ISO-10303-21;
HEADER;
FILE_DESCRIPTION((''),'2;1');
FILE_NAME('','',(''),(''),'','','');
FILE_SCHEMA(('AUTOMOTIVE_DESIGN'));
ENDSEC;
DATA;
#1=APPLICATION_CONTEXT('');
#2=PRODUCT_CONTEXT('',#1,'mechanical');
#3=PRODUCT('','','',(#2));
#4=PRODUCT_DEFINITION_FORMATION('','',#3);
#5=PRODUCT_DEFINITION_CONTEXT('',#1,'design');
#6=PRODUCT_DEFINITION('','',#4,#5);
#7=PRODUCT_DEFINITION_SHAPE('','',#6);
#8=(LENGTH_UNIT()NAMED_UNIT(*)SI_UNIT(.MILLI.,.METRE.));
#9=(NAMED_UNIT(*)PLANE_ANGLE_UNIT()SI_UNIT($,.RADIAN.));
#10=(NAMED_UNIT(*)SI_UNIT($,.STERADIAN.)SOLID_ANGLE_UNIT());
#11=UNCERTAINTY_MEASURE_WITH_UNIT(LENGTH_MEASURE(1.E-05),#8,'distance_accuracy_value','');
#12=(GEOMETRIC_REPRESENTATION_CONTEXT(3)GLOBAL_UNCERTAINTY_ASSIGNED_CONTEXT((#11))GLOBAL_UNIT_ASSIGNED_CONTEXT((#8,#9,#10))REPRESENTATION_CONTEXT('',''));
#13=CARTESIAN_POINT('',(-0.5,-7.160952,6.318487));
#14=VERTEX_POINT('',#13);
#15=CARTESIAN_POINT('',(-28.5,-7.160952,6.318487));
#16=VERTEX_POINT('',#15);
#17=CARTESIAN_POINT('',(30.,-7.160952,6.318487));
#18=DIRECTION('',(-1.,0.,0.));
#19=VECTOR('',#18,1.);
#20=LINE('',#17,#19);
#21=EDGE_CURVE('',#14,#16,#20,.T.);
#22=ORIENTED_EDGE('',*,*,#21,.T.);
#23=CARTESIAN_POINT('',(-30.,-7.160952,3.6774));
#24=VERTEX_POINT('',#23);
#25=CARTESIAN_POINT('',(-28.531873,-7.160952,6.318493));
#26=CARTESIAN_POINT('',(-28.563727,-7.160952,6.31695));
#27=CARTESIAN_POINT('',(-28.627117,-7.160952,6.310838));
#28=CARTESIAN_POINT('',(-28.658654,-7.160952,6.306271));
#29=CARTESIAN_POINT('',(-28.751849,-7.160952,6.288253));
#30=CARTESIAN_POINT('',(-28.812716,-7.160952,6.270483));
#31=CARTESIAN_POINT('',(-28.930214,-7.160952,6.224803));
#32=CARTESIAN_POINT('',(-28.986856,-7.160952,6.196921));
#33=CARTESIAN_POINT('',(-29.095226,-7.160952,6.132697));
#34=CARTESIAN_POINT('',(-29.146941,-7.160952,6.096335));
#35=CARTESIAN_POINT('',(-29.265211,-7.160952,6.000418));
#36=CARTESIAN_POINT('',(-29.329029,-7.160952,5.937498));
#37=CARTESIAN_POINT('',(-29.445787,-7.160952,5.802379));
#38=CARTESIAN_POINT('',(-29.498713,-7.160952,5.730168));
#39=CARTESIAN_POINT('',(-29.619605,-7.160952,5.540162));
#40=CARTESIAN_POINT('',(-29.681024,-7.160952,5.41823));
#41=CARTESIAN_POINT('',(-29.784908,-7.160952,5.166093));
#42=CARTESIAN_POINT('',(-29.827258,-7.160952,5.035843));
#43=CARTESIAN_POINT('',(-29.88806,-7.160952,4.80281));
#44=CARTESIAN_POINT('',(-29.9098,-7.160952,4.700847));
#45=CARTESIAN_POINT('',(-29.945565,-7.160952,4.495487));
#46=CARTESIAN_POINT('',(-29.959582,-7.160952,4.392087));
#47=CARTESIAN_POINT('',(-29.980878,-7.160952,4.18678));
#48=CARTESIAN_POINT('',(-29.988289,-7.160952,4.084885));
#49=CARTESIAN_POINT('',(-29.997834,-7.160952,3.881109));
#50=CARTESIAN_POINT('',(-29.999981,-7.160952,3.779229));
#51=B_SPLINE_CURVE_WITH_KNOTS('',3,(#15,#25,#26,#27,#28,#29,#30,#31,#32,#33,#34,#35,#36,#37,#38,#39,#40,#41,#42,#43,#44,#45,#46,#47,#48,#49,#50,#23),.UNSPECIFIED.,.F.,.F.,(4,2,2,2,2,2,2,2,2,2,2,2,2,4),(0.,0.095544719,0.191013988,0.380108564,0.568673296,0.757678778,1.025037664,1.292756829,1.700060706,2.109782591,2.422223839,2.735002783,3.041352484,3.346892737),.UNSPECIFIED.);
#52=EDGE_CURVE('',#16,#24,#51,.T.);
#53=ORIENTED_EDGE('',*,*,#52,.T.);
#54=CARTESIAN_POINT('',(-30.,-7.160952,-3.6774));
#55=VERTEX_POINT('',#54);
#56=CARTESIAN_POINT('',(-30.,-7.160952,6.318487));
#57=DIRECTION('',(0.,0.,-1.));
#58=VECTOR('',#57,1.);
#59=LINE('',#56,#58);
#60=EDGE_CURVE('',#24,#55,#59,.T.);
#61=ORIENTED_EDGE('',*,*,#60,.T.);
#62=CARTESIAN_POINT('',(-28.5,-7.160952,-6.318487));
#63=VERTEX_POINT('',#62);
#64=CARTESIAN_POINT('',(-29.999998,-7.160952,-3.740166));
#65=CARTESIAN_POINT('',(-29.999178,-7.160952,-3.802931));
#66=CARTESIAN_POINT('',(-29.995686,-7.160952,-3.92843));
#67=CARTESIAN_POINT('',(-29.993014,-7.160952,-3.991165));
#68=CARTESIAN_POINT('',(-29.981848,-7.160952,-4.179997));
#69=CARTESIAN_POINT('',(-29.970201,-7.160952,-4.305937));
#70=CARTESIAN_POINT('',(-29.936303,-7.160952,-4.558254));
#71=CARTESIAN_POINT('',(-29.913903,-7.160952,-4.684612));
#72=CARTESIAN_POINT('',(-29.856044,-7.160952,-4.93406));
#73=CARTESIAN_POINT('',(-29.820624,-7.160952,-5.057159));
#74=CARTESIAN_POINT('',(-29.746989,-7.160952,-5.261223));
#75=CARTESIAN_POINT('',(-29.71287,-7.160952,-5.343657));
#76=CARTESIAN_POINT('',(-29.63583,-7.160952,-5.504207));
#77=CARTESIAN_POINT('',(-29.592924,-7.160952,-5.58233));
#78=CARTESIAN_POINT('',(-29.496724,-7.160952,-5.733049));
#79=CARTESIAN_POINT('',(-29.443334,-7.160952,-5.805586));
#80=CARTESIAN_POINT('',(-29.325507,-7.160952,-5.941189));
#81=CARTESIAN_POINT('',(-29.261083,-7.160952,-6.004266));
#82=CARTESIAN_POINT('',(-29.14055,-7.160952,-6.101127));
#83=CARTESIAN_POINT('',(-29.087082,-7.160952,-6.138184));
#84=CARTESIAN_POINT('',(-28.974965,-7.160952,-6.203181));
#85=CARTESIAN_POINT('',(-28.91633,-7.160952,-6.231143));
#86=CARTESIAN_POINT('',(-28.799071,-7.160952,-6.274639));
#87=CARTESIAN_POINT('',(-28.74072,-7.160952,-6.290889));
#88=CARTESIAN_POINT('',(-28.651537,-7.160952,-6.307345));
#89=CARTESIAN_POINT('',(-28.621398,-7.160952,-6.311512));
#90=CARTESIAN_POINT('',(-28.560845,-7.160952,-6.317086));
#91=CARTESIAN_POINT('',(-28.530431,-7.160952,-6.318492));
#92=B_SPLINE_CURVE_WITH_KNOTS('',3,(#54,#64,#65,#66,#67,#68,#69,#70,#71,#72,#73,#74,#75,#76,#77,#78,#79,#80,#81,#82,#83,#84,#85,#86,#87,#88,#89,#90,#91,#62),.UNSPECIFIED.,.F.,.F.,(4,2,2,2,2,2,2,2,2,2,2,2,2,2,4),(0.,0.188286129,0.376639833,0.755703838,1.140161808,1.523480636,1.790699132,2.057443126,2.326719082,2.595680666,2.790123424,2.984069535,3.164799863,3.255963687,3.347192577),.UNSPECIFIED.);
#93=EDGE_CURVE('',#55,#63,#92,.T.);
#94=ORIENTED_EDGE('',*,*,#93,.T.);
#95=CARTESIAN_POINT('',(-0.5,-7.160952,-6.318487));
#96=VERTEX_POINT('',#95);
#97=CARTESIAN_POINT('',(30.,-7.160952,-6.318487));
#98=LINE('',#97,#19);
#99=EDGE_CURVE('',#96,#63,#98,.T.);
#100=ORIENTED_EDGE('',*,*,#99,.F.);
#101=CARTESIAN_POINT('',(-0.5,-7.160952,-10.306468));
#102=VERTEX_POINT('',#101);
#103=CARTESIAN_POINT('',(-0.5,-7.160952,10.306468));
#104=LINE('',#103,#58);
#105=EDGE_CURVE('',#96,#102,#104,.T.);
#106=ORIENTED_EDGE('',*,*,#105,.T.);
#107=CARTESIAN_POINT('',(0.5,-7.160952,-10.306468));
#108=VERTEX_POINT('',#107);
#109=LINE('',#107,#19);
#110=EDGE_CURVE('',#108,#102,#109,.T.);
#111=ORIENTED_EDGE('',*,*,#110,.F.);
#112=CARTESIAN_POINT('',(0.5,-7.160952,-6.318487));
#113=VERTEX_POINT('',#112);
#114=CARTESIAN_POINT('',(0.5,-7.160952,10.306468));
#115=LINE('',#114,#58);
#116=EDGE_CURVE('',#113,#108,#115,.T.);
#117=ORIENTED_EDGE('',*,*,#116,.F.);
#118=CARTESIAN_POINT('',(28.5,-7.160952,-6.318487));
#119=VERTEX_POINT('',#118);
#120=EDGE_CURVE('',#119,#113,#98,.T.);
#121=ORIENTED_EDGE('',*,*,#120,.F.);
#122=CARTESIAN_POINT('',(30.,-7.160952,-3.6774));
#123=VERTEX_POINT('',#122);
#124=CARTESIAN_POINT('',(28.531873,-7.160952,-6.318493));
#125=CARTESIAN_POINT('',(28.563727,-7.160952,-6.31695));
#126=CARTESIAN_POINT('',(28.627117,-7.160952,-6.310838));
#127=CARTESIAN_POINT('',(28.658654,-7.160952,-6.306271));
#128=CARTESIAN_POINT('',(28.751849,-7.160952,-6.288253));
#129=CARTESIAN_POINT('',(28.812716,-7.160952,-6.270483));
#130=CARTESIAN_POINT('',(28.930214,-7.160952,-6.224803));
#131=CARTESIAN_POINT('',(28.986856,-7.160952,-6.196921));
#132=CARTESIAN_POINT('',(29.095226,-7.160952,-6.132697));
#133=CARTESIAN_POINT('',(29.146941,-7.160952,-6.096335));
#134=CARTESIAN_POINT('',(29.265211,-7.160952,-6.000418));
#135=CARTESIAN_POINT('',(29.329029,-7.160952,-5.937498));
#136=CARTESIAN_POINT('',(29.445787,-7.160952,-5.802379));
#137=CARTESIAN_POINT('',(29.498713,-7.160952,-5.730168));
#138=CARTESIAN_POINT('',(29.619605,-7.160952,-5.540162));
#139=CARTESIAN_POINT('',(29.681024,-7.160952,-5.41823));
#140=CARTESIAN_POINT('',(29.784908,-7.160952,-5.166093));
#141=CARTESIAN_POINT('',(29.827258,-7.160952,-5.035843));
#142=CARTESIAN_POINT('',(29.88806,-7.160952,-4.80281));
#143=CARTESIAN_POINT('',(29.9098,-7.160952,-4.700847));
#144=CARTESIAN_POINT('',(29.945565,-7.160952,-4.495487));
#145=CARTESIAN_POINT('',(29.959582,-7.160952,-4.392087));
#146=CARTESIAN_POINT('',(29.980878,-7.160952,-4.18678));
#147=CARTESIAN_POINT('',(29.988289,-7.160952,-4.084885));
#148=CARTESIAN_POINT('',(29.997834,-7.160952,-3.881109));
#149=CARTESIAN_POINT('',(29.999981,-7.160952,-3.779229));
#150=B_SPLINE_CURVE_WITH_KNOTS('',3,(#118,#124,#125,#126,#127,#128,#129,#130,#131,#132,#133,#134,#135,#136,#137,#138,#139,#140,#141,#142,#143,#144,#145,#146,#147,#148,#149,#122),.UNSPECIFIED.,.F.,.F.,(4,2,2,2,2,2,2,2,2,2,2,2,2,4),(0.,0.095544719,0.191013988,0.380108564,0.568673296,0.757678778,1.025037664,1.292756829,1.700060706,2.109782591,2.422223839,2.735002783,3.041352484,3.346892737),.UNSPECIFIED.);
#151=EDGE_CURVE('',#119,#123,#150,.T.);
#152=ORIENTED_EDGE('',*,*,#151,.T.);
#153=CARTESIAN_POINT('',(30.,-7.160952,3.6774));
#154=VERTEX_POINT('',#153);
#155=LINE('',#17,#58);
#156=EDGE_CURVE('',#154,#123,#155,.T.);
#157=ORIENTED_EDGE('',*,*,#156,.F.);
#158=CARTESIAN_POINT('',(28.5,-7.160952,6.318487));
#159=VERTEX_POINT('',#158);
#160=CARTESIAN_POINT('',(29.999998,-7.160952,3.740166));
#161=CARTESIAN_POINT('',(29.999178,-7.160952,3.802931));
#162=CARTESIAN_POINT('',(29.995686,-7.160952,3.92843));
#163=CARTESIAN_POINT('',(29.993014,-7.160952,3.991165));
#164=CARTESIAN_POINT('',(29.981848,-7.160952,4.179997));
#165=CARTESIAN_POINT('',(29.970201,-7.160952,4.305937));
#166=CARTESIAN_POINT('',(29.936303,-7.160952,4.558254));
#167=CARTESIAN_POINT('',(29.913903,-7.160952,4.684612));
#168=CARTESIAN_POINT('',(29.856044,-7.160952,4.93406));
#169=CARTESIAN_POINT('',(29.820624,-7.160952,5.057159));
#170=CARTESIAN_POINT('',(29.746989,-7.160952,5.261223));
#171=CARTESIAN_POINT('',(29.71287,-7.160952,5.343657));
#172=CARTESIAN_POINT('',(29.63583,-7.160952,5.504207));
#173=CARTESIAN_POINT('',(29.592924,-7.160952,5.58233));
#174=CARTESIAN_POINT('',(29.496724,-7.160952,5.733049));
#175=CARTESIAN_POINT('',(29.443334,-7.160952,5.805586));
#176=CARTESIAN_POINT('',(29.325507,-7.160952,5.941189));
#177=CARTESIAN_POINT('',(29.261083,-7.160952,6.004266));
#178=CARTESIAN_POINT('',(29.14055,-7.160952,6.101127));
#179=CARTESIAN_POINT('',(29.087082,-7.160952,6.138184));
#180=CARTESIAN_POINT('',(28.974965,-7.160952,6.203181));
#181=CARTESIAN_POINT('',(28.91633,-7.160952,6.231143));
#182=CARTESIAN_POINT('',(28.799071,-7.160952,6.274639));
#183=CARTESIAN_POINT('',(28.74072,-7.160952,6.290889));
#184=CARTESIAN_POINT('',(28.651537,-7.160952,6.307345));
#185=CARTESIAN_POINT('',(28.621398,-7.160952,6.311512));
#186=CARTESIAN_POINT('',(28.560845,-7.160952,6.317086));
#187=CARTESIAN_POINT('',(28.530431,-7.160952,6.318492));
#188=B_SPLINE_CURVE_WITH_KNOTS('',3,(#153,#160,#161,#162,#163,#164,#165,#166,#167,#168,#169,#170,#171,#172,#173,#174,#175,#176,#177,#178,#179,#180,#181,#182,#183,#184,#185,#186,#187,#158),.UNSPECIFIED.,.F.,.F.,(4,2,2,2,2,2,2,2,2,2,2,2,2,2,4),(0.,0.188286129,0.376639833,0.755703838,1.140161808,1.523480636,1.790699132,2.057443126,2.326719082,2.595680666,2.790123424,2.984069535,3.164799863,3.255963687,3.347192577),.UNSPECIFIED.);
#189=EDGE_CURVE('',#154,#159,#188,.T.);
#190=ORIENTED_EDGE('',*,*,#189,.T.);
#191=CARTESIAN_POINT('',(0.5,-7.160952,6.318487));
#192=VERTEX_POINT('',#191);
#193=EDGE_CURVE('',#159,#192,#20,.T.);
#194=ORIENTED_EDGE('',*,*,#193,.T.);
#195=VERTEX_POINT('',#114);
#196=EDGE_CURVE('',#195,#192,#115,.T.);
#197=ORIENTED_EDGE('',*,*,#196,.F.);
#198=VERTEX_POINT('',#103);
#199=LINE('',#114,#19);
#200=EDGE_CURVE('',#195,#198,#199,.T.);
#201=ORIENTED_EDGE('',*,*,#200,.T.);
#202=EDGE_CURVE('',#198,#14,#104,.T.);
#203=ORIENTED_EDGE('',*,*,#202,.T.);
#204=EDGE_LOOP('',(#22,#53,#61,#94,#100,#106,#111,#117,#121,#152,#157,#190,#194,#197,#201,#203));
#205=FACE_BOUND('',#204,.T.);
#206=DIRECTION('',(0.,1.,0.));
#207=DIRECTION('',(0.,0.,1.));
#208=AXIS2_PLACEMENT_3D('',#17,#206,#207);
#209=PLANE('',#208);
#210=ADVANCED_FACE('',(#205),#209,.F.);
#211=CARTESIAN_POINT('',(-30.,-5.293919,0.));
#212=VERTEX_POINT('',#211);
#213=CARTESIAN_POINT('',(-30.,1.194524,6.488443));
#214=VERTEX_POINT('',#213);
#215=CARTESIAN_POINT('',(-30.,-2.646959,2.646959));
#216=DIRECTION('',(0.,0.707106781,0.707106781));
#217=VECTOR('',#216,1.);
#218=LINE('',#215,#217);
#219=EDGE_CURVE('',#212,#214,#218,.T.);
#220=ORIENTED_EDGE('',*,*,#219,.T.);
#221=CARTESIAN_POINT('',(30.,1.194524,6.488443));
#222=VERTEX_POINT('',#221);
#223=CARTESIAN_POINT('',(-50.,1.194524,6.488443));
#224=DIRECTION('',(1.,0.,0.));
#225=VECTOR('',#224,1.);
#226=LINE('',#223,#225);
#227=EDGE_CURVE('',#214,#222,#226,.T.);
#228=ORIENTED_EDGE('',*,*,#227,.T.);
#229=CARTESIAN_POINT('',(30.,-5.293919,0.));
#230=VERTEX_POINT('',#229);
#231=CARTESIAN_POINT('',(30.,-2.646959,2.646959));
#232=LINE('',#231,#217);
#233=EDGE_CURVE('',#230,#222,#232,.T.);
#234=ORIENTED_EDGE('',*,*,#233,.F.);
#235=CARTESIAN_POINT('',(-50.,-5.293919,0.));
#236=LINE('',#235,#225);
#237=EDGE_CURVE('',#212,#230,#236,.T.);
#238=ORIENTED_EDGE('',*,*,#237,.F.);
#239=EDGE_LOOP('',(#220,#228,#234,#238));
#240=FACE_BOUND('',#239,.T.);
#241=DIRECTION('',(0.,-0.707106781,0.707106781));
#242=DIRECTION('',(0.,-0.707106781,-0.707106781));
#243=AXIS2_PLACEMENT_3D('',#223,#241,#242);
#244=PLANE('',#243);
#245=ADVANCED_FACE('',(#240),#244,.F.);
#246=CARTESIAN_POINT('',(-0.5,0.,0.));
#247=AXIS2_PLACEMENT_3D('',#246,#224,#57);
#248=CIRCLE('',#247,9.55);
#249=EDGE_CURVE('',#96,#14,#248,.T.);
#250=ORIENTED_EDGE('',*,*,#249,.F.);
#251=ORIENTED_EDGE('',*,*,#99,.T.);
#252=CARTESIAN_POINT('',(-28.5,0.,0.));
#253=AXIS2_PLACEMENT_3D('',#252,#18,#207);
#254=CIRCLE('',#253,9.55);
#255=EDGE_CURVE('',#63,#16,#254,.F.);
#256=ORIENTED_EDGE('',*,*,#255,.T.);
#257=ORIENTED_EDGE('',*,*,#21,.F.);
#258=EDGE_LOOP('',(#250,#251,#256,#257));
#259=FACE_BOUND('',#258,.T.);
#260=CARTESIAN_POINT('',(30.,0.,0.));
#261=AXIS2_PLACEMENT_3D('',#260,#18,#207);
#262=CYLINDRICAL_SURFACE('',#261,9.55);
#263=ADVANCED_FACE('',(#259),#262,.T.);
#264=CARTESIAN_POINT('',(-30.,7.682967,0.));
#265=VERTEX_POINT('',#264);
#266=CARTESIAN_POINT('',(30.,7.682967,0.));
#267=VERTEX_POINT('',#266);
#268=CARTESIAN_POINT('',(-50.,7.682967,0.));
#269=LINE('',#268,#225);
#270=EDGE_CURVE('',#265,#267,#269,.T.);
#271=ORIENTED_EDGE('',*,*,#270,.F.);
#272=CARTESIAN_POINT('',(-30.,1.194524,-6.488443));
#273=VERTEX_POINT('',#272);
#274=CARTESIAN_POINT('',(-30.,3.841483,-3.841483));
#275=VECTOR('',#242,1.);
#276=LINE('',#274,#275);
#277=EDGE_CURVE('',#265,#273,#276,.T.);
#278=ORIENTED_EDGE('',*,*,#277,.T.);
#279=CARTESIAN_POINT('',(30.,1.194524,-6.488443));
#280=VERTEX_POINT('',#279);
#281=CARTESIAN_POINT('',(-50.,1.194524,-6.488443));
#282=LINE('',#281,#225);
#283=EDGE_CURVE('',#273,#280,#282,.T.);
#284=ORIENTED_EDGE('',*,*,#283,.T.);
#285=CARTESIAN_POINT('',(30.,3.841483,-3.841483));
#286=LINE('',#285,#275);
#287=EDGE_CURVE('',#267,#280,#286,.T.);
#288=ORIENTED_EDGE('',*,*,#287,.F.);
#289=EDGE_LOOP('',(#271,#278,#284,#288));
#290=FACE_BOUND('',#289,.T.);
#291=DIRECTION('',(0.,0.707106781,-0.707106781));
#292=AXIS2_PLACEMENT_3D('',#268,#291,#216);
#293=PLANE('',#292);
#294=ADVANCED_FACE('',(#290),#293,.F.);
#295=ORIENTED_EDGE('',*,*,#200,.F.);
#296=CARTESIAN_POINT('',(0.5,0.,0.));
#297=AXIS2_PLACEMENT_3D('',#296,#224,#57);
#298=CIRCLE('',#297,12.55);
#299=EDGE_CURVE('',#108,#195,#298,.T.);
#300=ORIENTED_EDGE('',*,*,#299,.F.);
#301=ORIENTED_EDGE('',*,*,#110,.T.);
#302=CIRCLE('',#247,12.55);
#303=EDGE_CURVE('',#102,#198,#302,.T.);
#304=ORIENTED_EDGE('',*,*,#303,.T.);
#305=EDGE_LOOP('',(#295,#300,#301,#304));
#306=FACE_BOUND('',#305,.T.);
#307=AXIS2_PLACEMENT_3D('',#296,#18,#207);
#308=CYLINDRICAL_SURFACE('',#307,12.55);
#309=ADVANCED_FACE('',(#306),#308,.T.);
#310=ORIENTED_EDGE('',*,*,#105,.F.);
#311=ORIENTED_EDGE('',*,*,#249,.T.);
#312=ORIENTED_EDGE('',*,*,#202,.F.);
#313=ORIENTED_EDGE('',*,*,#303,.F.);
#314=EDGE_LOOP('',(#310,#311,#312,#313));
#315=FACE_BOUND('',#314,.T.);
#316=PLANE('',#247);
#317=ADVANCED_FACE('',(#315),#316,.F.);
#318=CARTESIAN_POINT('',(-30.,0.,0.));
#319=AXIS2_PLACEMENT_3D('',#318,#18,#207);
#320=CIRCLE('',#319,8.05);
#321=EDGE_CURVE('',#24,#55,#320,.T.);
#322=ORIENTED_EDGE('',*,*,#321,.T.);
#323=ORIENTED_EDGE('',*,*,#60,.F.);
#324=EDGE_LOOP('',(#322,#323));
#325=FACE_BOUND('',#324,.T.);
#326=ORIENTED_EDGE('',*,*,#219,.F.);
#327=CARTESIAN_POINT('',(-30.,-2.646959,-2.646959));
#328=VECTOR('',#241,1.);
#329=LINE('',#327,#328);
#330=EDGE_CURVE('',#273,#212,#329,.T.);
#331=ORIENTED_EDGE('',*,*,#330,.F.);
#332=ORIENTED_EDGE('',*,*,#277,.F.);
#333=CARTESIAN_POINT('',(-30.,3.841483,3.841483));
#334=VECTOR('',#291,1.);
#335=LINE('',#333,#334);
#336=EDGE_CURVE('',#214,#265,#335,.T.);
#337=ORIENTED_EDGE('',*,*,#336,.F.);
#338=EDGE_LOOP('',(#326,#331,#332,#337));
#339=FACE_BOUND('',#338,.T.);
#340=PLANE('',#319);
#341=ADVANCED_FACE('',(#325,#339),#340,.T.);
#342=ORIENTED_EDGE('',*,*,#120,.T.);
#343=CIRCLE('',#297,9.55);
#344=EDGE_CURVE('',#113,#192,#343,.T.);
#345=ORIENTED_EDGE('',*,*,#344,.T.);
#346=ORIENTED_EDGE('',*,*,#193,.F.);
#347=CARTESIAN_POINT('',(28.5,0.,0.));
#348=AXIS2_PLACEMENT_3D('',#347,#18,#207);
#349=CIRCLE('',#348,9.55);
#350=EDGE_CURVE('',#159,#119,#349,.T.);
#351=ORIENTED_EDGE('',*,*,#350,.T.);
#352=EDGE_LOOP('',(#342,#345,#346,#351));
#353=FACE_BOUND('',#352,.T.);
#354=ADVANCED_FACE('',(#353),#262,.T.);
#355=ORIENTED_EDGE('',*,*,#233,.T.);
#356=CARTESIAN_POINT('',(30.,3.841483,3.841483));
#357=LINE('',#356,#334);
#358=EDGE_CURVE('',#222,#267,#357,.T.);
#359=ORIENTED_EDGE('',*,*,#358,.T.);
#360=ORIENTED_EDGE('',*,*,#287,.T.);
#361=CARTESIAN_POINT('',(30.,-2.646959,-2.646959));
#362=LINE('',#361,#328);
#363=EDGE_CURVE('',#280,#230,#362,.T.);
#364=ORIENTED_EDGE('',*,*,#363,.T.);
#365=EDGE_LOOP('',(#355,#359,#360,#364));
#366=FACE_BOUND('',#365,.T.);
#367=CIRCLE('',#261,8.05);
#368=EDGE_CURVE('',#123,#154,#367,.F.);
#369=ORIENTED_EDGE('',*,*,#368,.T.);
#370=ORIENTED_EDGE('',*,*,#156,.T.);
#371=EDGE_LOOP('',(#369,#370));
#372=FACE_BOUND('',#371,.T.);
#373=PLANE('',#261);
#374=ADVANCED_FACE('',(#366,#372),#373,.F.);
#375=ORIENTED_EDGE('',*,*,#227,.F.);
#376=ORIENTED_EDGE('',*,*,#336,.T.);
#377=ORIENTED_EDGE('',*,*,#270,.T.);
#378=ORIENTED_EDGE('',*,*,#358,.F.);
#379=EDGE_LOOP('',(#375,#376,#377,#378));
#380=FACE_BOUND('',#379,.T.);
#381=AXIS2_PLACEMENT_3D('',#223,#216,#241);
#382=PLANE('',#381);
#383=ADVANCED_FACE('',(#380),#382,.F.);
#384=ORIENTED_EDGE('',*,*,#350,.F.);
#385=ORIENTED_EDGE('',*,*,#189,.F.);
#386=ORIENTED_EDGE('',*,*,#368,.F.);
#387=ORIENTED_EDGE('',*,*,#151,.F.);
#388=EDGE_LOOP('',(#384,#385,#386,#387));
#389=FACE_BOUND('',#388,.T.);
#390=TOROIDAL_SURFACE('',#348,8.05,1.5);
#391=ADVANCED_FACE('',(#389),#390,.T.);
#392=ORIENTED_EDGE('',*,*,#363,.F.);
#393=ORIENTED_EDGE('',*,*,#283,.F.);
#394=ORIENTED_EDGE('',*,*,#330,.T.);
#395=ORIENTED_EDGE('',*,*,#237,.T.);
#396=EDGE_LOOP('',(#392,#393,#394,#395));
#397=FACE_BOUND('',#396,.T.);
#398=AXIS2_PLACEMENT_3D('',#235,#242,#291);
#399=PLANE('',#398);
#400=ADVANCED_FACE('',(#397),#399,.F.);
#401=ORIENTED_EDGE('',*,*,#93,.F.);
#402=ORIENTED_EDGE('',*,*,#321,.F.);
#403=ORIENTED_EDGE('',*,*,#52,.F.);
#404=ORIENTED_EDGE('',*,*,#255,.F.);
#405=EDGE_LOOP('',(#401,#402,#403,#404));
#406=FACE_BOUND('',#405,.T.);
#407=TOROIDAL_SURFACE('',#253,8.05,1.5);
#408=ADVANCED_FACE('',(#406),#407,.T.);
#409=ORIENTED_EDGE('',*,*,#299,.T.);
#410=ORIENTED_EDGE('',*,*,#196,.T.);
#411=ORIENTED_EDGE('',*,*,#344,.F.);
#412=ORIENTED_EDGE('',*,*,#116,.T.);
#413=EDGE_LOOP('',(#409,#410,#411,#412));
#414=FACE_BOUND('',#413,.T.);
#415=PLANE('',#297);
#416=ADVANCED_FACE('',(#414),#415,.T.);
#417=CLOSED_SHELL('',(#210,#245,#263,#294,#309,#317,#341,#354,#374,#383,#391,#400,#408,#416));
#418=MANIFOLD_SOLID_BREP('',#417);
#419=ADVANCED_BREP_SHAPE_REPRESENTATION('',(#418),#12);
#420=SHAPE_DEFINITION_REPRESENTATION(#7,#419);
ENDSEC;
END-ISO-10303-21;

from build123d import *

# Parameters (mm, degrees)
BOSS_EXTRU_1_DEPTH      = 30
BOSS_EXTRU_2_DEPTH      = 0.5
ENL_V_MAT_EXTRU_1_DEPTH = 50
CONG_1_R                = 1.5


with BuildPart() as part:
    # Esquisse1 → Boss.-Extru.1 (new body, symmetric)
    with BuildSketch(Plane(origin=(0, 0, 0), x_dir=(0, 0, -1), z_dir=(1, 0, 0))):
        with BuildLine():
            Line((-6.318486634, -7.160951519), (6.318486634, -7.160951519))
            ThreePointArc((6.318486634, -7.160951519), (0, 9.55), (-6.318486634, -7.160951519))
        make_face()
    extrude(amount=BOSS_EXTRU_1_DEPTH, both=True)

    # Esquisse3 → Boss.-Extru.2 (add, symmetric)
    with BuildSketch(Plane(origin=(0, 0, 0), x_dir=(0, 0, -1), z_dir=(1, 0, 0))):
        with BuildLine():
            Line((-10.306467549, -7.160951519), (10.306467549, -7.160951519))
            ThreePointArc((10.306467549, -7.160951519), (0, 12.55), (-10.306467549, -7.160951519))
        make_face()
    extrude(amount=BOSS_EXTRU_2_DEPTH, both=True)

    # Esquisse2 → Enlèv. mat.-Extru.1 (cut, symmetric)
    with BuildSketch(Plane(origin=(0, 0, 0), x_dir=(0, 0, -1), z_dir=(1, 0, 0))):
        Polygon((-6.488442747, 1.194524241), (0, -5.293918507), (6.488442747, 1.194524241), (0, 7.682966988), align=None)
    extrude(amount=ENL_V_MAT_EXTRU_1_DEPTH, both=True, mode=Mode.SUBTRACT)

    # Congé1
    cong_1_edges = [part.edges().sort_by_distance(p)[0] for p in [
        (-30, 9.55, 0),
        (30, 9.55, 0),
    ]]
    fillet(cong_1_edges, radius=CONG_1_R)


solid = part.part
